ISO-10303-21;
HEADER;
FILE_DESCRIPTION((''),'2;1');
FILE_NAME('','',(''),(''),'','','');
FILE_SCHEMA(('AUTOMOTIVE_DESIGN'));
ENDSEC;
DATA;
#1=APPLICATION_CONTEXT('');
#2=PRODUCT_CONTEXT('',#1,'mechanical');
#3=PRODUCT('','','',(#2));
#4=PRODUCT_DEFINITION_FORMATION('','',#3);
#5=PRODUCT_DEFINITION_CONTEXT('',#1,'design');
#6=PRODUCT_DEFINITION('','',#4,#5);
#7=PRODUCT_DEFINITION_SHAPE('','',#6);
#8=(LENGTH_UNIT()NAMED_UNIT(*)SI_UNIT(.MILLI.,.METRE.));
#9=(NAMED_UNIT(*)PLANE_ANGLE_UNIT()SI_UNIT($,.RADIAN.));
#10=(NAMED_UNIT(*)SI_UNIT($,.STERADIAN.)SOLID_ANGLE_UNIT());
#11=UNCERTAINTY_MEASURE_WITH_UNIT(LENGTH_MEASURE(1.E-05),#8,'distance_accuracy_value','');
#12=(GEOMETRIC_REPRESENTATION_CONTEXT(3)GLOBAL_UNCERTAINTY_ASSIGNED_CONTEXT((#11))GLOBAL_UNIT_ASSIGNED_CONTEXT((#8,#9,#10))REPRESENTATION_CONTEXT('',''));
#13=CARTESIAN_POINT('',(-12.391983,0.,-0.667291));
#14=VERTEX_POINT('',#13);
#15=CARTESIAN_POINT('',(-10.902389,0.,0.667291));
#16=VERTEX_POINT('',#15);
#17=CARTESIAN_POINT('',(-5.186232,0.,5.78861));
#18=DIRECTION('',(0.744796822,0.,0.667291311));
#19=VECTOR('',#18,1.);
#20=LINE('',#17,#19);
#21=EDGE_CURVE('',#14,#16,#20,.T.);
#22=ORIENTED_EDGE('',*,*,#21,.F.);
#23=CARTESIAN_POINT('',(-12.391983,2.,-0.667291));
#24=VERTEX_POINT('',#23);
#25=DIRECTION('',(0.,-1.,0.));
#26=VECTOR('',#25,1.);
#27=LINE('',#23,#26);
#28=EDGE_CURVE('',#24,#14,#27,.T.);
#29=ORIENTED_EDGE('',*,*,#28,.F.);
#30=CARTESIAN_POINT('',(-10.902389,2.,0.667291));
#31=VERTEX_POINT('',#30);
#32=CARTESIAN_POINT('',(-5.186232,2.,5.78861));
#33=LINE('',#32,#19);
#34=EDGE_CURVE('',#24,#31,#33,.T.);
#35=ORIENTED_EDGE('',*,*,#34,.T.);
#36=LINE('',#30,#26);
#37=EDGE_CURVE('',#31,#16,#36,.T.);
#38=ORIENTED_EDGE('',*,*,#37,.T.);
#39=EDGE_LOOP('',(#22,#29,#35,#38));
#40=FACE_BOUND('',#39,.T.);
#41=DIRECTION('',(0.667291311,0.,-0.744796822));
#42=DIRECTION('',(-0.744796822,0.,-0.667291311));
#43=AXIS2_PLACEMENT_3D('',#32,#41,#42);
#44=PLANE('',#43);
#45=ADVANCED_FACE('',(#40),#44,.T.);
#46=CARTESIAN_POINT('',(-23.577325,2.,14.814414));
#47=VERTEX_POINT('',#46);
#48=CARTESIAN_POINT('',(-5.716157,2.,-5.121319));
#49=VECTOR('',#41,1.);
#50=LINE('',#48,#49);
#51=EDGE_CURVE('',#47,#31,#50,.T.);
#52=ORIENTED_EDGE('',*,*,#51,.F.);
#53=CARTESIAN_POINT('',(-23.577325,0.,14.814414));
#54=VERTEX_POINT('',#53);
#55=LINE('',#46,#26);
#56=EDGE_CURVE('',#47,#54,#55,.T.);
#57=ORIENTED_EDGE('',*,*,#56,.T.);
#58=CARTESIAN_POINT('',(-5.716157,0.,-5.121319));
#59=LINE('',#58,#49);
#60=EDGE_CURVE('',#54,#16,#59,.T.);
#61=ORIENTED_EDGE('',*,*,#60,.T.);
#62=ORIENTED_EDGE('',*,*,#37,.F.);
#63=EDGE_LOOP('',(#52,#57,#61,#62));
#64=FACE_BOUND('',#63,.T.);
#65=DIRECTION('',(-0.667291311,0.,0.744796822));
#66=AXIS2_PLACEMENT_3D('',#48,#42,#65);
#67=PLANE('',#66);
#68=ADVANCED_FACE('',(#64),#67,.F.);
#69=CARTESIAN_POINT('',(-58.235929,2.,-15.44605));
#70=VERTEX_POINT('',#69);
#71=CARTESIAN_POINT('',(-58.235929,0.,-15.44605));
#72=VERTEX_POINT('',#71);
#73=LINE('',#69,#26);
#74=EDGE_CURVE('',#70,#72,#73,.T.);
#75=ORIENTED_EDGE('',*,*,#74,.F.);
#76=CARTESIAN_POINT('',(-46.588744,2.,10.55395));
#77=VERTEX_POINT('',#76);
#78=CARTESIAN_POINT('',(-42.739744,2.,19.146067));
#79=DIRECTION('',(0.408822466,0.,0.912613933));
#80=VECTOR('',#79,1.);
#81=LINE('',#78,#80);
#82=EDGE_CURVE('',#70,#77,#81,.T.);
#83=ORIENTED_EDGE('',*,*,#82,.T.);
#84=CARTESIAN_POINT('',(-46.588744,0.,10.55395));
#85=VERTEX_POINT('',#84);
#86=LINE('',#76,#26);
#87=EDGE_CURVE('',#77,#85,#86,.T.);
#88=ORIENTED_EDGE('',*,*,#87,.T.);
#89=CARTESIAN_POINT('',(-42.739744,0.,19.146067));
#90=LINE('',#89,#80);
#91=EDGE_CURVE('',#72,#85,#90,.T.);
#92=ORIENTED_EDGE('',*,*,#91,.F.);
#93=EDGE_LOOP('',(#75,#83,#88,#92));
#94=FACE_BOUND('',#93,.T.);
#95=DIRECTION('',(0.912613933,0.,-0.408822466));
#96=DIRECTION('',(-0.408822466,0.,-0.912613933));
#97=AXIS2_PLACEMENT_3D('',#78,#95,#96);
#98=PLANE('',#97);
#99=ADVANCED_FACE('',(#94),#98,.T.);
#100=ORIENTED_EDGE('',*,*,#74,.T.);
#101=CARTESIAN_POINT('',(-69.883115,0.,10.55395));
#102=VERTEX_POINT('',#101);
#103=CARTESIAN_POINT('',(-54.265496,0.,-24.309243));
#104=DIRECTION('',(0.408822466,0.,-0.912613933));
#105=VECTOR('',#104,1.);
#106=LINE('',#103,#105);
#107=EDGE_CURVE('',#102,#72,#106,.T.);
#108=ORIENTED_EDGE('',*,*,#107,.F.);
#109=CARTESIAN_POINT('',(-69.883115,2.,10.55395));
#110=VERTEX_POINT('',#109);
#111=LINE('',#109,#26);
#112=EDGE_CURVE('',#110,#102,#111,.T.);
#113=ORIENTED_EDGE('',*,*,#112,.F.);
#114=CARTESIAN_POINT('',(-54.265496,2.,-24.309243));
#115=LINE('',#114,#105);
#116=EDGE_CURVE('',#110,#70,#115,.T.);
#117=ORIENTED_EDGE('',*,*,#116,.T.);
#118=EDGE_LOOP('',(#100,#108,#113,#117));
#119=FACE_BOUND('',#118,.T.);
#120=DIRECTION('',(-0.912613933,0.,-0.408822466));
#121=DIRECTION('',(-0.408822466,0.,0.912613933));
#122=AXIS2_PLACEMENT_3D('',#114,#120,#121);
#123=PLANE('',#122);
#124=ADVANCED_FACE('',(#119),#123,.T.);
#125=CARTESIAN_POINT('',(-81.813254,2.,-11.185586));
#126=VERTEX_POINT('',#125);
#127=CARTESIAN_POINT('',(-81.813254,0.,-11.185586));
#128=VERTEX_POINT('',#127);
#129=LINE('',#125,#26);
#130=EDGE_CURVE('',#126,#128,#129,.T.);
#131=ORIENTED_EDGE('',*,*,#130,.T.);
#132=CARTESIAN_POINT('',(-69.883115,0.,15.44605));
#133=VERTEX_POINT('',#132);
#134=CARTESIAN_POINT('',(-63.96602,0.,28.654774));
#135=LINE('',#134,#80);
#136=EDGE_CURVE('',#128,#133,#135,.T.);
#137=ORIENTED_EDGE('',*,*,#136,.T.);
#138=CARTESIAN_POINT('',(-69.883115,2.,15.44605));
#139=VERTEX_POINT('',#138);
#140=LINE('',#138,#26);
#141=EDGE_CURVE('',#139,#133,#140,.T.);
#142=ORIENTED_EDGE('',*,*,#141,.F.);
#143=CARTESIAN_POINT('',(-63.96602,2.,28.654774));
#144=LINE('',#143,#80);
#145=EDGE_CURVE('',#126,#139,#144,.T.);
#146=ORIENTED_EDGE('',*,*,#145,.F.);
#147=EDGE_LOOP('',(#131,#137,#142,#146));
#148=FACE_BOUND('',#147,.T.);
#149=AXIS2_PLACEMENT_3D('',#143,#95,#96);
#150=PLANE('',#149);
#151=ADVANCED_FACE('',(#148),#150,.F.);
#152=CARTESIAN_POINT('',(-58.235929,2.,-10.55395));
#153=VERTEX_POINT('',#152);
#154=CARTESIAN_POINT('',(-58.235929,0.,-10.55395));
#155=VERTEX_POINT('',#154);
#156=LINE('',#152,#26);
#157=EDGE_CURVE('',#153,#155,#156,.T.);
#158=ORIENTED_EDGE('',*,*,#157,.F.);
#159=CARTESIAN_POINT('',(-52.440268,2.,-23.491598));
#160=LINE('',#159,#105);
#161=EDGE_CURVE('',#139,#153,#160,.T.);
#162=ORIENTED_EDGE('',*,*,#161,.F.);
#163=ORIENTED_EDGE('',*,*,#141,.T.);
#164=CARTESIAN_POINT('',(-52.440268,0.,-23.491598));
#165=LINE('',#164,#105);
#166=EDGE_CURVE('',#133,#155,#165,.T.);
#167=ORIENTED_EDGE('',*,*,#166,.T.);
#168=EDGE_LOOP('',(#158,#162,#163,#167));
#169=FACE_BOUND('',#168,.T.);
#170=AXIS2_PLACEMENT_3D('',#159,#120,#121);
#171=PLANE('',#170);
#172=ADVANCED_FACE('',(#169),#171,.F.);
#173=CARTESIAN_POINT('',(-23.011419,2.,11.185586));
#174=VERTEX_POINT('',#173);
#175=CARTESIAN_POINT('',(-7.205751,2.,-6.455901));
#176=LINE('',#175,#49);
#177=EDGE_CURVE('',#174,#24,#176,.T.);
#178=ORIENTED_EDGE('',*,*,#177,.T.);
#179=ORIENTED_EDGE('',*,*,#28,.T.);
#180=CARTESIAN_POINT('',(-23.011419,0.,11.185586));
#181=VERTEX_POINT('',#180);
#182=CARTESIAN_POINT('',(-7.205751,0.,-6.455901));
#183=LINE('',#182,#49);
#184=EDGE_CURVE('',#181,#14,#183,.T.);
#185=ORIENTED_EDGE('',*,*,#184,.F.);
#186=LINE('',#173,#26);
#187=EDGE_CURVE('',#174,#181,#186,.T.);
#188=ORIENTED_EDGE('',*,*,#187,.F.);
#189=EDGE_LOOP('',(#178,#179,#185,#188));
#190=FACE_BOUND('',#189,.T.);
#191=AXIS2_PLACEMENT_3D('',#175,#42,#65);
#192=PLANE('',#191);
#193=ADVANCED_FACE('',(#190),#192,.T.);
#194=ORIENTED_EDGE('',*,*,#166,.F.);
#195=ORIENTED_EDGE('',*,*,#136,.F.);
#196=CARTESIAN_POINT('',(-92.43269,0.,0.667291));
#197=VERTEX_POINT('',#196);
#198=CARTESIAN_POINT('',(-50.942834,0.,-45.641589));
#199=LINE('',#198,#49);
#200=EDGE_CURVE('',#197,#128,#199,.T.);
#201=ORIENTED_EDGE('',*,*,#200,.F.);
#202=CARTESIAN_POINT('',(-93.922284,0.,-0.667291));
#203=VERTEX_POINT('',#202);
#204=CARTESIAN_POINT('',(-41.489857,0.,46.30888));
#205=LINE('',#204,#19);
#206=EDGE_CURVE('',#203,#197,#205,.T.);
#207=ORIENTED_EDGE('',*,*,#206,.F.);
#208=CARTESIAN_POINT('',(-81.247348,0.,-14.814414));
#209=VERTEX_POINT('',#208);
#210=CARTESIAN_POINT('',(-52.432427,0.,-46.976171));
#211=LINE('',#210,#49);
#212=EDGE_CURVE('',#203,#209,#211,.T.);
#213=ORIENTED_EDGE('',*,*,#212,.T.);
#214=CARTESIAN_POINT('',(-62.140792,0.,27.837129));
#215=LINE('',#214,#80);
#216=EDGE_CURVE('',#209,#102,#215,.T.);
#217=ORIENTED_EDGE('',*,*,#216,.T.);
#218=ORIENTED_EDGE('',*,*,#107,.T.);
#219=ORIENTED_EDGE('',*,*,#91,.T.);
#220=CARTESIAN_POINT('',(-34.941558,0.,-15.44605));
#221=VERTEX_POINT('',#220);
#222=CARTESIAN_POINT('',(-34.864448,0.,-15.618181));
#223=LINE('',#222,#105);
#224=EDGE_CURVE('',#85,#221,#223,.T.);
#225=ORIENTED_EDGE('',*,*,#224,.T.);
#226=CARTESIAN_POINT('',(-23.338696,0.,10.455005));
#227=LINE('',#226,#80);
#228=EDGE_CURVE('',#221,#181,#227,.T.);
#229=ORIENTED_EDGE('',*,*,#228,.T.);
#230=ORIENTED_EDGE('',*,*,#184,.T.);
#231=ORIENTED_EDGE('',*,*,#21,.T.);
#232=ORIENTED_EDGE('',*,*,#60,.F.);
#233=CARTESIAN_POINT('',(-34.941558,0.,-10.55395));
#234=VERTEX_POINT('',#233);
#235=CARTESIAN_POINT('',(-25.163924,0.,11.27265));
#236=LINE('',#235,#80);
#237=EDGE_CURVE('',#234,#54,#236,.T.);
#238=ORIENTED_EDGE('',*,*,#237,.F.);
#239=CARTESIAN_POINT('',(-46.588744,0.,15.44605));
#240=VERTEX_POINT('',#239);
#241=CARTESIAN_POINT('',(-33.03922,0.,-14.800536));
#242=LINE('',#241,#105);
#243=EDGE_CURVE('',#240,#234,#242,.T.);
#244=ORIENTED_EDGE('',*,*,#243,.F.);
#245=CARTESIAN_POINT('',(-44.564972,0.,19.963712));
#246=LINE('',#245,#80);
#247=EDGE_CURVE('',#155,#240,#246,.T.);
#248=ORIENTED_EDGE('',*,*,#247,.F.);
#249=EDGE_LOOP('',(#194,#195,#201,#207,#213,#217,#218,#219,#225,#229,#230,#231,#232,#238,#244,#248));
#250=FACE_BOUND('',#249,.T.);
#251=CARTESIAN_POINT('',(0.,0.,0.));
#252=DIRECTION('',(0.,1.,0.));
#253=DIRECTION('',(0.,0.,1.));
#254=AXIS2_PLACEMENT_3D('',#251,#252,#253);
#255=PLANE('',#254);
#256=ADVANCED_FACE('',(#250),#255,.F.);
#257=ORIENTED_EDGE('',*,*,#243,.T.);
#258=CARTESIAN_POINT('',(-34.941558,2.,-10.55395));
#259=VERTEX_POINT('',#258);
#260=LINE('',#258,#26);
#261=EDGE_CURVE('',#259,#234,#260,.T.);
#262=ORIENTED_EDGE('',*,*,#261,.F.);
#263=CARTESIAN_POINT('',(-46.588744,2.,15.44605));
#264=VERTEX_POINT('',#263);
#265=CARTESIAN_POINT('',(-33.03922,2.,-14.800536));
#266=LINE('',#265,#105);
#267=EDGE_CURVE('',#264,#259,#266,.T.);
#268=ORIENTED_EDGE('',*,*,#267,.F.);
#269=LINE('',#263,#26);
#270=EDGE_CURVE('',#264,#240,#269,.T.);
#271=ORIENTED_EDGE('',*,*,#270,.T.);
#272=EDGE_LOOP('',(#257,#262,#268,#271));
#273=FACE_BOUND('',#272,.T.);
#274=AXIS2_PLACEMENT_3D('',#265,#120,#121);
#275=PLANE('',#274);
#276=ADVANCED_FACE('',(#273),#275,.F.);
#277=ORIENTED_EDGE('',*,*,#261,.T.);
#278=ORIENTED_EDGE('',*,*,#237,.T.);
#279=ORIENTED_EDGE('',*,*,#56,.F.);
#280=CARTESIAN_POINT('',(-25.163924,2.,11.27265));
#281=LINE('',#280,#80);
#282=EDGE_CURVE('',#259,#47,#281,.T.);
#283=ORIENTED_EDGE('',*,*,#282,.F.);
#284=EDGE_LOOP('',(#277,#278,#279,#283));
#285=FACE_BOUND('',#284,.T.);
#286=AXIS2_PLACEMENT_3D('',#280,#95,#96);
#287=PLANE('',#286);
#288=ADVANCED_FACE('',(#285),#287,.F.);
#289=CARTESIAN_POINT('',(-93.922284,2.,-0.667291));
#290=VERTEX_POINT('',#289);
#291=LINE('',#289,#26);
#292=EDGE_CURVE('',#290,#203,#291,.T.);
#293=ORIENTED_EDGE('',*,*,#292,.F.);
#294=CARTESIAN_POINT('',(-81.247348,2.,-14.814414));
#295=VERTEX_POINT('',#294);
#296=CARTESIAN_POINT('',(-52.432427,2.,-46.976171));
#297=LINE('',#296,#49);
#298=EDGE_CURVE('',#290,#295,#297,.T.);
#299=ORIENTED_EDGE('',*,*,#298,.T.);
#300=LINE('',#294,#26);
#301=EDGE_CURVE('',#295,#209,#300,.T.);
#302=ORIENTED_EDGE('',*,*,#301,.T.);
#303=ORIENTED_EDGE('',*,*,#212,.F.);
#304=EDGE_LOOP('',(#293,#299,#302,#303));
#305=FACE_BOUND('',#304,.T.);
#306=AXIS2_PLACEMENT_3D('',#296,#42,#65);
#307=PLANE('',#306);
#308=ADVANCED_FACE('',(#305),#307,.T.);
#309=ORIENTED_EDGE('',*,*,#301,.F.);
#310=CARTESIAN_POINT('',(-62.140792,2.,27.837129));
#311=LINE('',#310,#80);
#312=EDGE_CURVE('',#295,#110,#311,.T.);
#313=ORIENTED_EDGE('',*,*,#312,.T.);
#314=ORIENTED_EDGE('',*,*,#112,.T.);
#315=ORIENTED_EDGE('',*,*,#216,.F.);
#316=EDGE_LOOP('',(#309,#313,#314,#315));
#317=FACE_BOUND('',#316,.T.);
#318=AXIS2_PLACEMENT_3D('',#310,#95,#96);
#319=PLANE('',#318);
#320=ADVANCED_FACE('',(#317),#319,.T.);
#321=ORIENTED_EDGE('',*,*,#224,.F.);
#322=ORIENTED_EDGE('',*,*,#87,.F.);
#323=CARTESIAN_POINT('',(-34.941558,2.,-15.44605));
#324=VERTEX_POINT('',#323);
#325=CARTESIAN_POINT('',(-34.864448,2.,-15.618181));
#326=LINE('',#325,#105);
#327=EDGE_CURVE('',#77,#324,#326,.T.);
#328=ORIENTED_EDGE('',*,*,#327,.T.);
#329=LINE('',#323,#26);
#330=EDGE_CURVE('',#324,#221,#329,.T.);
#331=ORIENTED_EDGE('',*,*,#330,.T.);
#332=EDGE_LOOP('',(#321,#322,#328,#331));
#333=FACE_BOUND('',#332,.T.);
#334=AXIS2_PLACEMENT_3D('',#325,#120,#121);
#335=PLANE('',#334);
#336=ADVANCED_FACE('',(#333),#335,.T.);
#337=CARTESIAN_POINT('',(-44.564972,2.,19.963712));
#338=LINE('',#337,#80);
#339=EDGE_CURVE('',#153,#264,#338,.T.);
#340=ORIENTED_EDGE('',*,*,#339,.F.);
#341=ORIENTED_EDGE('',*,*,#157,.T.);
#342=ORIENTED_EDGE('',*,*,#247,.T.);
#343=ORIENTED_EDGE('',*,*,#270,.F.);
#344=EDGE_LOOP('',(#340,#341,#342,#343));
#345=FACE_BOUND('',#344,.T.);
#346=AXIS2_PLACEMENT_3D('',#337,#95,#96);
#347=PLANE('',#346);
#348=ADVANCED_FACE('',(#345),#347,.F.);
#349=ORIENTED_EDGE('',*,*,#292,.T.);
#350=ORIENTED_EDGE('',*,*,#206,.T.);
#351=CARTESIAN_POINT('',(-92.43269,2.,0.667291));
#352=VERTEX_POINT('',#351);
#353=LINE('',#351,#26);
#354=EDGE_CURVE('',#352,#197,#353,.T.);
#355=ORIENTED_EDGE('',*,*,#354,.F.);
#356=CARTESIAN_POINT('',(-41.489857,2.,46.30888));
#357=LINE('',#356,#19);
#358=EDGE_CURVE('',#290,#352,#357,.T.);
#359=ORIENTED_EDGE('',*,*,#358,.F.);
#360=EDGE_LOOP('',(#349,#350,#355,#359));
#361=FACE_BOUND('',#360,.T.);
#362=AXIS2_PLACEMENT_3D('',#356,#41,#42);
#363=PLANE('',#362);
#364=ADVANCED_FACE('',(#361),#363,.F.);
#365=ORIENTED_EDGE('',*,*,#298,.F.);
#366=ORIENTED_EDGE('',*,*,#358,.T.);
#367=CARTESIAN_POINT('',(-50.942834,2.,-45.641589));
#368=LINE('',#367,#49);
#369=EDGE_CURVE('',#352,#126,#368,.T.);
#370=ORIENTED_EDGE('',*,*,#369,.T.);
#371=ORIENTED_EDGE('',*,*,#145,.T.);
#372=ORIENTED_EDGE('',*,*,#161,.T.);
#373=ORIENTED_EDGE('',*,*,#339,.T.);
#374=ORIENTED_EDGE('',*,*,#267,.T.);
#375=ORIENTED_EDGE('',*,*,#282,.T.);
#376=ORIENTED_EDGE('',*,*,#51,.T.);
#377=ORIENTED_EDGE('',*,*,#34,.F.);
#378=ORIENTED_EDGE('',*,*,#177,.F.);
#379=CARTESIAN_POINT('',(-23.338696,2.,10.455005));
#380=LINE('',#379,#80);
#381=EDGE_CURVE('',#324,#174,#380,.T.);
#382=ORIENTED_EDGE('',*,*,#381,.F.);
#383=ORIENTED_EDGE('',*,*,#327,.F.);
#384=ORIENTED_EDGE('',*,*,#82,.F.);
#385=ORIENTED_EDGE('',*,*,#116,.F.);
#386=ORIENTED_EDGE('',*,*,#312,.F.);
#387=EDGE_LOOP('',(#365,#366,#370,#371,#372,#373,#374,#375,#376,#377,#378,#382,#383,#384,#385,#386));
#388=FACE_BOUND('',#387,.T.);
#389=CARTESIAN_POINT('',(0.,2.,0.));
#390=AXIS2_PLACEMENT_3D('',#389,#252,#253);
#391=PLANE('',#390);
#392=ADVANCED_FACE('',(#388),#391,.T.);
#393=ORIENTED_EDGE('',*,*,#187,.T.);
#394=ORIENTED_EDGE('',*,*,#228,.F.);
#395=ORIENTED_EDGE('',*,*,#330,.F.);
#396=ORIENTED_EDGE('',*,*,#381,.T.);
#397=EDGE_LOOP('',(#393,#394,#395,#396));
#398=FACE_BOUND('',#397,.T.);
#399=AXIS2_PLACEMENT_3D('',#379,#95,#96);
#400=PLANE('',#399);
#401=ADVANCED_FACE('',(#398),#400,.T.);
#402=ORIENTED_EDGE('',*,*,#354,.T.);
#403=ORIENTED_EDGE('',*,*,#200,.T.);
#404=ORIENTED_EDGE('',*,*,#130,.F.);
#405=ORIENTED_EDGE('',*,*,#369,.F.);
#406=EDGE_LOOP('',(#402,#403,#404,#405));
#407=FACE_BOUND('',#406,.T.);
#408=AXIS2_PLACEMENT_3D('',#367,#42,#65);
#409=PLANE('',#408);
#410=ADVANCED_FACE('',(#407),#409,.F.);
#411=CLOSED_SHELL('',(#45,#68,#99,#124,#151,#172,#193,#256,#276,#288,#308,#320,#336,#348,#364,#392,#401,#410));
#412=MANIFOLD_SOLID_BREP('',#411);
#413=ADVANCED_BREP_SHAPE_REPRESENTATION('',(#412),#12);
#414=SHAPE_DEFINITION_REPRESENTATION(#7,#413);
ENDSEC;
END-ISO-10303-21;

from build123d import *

# Parameters (mm, degrees)
BOSS_EXTRUDE1_DEPTH = 2


with BuildPart() as part:
    # Sketch1 → Boss-Extrude1 (new body)
    with BuildSketch(Plane(origin=(0, 0, 0), x_dir=(1, 0, 0), z_dir=(0, 1, 0))):
        Polygon((-93.922283941, 0.667291311), (-93.177487119, 0), (-81.530301229, 13), (-69.883115339, -13), (-58.235929449, 13), (-46.588743559, -13), (-34.941557669, 13), (-23.29437178, -13), (-11.64718589, 0), (-12.391982712, 0.667291311), (-23.011418731, -11.185586247), (-34.941557669, 15.446049526), (-46.588743559, -10.553950474), (-58.235929449, 15.446049526), (-69.883115339, -10.553950474), (-81.24734818, 14.814413753), align=None)
        Polygon((-81.530301229, 13), (-93.177487119, 0), (-92.432690296, -0.667291311), (-81.813254277, 11.185586247), (-69.883115339, -15.446049526), (-58.235929449, 10.553950474), (-46.588743559, -15.446049526), (-34.941557669, 10.553950474), (-23.577324828, -14.814413753), (-10.902389067, -0.667291311), (-11.64718589, 0), (-23.29437178, -13), (-34.941557669, 13), (-46.588743559, -13), (-58.235929449, 13), (-69.883115339, -13), align=None)
    extrude(amount=BOSS_EXTRUDE1_DEPTH)


solid = part.part
